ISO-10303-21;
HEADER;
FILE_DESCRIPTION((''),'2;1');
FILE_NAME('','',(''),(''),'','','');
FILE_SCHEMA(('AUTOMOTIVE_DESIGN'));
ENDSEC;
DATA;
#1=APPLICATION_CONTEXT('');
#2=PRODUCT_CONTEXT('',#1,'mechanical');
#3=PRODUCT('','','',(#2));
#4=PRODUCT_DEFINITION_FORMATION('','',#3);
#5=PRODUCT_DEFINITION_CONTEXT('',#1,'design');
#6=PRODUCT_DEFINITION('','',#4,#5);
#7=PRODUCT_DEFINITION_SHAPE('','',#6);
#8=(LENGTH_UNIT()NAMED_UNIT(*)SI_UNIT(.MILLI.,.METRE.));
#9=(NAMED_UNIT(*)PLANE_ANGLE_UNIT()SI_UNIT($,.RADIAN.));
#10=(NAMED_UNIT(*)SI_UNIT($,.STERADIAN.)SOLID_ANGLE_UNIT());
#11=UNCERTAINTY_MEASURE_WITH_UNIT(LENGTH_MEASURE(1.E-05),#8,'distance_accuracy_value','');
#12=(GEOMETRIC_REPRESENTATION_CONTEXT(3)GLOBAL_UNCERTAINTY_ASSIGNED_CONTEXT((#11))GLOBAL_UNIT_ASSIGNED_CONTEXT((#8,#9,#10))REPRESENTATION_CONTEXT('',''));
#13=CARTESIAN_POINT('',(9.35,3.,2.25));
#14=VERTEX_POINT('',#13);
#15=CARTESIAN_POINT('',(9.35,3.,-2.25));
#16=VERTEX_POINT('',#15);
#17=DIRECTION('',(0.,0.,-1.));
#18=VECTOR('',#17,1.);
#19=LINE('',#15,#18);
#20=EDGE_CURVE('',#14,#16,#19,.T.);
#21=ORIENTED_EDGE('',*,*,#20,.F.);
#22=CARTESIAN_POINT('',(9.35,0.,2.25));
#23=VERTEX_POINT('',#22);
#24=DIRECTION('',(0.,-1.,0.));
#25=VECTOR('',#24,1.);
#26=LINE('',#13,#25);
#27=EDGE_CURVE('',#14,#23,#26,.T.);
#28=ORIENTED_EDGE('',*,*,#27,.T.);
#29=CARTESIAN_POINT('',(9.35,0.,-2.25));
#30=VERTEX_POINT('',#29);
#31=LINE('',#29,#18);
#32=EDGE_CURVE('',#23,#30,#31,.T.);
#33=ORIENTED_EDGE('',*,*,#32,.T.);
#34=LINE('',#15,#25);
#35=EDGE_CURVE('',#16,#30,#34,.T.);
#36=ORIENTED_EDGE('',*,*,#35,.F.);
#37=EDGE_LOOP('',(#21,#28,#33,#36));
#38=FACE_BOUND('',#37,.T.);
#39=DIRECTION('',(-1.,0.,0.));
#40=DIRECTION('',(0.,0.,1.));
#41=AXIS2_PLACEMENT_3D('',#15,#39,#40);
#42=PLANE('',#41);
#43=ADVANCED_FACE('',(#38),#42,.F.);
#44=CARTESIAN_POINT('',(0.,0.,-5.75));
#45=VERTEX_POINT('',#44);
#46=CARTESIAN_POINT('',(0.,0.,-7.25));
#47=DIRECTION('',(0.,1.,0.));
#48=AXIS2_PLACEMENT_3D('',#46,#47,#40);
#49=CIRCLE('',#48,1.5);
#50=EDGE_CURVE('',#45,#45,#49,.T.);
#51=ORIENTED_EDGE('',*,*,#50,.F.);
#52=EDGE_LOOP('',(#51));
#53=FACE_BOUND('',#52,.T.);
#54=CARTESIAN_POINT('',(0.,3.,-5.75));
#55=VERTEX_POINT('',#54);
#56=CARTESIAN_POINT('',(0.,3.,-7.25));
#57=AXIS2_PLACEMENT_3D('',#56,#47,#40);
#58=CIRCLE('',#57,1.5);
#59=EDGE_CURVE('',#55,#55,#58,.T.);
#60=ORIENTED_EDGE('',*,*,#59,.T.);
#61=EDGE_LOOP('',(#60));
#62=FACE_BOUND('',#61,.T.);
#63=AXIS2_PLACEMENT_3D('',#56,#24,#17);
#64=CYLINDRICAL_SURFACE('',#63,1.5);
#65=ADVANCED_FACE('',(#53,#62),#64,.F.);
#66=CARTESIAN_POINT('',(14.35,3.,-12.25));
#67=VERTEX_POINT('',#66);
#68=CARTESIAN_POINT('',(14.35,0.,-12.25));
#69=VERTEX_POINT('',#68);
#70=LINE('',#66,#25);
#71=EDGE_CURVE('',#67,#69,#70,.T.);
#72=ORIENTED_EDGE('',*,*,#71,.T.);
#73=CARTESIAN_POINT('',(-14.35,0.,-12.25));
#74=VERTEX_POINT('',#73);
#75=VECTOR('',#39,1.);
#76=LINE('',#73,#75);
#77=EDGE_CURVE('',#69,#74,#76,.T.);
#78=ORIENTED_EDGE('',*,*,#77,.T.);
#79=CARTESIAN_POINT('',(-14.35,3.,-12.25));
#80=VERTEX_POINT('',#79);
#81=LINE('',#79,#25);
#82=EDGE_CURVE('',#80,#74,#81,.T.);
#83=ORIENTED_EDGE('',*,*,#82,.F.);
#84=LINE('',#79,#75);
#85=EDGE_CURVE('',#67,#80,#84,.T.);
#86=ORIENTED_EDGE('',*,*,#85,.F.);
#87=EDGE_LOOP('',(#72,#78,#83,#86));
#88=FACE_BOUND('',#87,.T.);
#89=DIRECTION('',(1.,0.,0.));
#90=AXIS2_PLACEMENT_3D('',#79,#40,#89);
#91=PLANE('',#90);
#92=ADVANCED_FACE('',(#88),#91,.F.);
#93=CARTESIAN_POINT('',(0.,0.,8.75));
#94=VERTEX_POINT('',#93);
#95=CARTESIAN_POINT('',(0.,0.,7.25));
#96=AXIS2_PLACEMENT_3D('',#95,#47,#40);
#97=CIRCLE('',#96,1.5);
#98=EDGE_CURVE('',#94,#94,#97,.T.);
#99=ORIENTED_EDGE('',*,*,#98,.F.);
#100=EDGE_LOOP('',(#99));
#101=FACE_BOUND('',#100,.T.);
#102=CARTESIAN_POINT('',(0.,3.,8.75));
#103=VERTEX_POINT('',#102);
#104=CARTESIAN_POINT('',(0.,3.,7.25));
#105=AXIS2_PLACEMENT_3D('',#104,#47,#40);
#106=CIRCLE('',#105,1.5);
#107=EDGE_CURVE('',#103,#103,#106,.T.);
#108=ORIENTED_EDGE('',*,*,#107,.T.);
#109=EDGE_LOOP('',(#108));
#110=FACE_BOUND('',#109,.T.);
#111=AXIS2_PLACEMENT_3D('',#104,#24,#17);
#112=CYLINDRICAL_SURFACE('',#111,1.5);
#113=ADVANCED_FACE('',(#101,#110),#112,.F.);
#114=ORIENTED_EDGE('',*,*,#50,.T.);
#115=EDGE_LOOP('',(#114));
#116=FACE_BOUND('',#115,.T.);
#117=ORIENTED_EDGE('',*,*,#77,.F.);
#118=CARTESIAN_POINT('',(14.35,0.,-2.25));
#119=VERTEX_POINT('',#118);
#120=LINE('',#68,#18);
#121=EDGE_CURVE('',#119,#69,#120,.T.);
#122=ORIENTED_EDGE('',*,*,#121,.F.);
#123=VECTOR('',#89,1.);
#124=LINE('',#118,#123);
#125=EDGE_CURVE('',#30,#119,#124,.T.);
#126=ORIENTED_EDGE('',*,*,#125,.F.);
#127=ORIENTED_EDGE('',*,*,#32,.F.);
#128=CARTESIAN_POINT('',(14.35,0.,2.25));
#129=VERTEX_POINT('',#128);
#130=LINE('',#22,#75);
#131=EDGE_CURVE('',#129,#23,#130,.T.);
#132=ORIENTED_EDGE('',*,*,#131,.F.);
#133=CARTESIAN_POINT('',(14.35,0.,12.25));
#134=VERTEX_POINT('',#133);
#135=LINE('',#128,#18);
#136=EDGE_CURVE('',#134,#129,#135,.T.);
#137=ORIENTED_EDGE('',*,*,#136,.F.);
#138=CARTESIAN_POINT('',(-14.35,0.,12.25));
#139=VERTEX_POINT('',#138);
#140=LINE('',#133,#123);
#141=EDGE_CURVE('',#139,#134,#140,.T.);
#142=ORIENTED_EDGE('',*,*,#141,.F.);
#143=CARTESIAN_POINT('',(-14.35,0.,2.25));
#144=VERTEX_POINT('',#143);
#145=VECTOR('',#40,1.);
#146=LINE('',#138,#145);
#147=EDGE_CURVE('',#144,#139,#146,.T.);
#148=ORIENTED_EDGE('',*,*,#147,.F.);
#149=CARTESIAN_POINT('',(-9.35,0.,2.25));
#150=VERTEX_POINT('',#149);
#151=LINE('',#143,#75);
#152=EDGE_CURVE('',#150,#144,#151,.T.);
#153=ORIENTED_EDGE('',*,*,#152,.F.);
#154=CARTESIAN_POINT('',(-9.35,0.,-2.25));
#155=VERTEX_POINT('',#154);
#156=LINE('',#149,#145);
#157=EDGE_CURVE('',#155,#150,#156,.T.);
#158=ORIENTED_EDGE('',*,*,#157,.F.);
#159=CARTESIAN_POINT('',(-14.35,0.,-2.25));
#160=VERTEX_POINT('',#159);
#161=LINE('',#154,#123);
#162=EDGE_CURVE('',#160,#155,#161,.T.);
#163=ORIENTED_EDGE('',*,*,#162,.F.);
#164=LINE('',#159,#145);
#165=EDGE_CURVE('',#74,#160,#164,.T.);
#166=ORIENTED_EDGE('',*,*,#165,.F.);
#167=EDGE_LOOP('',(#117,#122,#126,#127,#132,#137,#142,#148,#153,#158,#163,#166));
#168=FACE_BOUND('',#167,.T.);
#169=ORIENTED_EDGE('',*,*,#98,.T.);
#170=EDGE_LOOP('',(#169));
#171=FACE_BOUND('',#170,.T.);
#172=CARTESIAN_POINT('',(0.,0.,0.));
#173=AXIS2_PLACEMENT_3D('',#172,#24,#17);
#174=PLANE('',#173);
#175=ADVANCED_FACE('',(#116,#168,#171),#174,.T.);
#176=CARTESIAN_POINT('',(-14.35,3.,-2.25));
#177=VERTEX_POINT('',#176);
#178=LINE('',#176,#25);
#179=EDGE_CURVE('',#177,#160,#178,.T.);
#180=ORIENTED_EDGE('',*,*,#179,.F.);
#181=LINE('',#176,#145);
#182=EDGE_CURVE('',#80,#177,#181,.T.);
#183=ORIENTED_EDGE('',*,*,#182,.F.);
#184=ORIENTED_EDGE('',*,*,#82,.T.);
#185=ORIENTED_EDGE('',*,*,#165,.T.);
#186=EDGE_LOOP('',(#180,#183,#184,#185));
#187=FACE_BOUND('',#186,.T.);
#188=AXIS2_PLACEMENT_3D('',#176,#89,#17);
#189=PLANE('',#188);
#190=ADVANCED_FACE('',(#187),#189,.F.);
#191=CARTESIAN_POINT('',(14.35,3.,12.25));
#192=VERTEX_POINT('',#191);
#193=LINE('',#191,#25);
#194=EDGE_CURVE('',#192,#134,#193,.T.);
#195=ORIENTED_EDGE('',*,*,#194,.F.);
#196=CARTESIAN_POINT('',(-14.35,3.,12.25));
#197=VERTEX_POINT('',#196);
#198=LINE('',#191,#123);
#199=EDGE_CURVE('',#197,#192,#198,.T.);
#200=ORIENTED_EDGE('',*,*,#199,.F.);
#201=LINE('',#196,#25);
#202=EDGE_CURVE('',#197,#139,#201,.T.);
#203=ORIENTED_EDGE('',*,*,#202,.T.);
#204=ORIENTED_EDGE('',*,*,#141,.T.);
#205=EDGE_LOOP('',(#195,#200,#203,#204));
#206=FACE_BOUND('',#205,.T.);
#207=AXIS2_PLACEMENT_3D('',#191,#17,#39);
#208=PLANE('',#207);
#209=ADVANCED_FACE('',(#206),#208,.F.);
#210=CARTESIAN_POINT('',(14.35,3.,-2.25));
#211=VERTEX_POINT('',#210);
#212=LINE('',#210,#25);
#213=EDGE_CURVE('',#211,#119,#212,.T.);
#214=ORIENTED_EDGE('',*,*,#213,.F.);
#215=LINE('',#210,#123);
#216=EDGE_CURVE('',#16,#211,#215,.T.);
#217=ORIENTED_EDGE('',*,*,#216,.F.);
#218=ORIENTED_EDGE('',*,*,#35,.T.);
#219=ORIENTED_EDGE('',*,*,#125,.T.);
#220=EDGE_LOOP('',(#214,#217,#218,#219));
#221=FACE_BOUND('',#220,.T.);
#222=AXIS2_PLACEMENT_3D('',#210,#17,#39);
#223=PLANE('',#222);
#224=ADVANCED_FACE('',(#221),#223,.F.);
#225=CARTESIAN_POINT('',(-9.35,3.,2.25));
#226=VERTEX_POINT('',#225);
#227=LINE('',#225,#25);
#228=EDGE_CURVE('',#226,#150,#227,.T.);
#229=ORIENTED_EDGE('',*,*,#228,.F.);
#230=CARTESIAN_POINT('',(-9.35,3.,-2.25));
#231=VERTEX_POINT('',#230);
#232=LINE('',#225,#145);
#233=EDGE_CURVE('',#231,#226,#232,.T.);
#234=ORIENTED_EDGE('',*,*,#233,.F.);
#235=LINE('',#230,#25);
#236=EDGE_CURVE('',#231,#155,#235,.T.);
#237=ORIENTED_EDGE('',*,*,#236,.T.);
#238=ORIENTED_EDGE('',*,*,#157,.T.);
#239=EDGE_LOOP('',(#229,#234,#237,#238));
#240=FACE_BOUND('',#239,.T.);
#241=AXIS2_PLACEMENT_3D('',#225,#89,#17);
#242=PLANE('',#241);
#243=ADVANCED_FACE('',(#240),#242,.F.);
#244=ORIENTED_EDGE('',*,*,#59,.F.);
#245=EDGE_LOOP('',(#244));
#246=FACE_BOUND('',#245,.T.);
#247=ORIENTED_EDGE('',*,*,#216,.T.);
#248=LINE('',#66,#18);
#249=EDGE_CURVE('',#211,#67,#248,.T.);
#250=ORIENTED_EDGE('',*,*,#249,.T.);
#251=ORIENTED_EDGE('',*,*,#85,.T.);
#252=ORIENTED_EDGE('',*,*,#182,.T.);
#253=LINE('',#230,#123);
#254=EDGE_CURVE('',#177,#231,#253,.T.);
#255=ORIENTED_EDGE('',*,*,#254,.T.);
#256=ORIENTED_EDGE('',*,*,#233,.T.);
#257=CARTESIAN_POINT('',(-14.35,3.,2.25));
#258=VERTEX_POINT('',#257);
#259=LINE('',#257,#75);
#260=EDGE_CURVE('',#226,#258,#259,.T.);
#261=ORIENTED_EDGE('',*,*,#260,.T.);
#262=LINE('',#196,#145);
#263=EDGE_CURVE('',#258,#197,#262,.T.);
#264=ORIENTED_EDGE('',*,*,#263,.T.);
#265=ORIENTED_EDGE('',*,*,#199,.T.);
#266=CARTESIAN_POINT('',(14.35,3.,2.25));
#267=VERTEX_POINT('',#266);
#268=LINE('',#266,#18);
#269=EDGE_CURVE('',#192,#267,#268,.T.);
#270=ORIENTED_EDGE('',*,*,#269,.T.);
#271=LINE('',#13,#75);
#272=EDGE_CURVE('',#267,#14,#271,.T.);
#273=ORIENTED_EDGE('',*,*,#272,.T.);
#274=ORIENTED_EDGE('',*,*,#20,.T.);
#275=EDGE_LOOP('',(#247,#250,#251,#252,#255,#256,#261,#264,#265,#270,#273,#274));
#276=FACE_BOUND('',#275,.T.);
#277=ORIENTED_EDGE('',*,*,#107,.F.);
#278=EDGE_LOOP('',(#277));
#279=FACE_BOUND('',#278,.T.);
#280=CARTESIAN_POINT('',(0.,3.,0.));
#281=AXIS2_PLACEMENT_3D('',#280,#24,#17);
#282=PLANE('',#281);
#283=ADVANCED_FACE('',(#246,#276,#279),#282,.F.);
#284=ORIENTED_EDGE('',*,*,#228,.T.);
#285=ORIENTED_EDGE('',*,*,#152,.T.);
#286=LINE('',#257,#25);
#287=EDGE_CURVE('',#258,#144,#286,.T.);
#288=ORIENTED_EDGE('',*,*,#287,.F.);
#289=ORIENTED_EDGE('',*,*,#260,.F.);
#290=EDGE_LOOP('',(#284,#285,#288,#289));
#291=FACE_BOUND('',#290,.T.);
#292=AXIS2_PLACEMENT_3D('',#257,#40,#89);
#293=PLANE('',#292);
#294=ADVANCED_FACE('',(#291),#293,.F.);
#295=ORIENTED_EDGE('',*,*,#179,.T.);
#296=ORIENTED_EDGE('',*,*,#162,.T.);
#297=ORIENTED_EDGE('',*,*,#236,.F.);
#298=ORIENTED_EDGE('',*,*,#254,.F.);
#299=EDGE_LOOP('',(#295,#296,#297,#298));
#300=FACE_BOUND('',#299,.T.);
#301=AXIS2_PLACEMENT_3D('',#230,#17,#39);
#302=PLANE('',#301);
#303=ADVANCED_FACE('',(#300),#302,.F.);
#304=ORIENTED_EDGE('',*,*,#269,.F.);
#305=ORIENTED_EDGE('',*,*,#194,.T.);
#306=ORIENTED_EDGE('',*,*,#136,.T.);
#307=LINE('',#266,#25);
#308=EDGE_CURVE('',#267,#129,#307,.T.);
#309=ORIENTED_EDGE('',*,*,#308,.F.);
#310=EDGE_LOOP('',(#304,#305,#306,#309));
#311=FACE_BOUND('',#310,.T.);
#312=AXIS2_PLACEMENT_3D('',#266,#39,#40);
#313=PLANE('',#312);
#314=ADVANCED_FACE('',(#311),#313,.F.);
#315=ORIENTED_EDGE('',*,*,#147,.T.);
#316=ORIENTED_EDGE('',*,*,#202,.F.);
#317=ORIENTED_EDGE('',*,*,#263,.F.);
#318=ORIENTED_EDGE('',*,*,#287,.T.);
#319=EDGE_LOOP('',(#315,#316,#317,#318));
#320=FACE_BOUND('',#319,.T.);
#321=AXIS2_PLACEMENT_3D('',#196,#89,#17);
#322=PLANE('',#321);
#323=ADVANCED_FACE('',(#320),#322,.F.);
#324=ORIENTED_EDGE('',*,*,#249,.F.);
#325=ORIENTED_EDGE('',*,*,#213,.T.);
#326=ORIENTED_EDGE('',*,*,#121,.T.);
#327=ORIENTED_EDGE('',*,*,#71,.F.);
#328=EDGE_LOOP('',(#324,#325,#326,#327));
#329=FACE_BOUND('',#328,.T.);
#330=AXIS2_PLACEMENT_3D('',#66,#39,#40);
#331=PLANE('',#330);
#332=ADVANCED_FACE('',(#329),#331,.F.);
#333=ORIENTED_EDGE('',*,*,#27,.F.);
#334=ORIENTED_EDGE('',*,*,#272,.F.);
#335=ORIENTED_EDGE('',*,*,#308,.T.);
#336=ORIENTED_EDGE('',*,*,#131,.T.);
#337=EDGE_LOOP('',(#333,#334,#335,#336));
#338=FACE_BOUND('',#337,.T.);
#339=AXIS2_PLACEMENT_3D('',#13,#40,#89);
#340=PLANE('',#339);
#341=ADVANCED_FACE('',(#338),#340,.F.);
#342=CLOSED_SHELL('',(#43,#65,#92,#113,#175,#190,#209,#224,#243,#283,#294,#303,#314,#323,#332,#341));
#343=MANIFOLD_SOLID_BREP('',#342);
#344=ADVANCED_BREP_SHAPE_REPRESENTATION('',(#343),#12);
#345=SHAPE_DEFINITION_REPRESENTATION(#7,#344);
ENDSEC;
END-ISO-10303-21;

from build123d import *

# Parameters (mm, degrees)
SKETCH1_R           = 1.5
BOSS_EXTRUDE1_DEPTH = 3


with BuildPart() as part:
    # Sketch1 → Boss-Extrude1 (new body)
    with BuildSketch(Plane(origin=(0, 0, 0), x_dir=(1, 0, 0), z_dir=(0, 1, 0))):
        Polygon((-14.35, 2.25), (-14.35, 12.25), (14.35, 12.25), (14.35, 2.25), (9.35, 2.25), (9.35, -2.25), (14.35, -2.25), (14.35, -12.25), (-14.35, -12.25), (-14.35, -2.25), (-9.35, -2.25), (-9.35, 2.25), align=None)
        with Locations((0, 7.25)):
            Circle(SKETCH1_R, mode=Mode.SUBTRACT)
        with Locations((0, -7.25)):
            Circle(SKETCH1_R, mode=Mode.SUBTRACT)
    extrude(amount=BOSS_EXTRUDE1_DEPTH)


solid = part.part
